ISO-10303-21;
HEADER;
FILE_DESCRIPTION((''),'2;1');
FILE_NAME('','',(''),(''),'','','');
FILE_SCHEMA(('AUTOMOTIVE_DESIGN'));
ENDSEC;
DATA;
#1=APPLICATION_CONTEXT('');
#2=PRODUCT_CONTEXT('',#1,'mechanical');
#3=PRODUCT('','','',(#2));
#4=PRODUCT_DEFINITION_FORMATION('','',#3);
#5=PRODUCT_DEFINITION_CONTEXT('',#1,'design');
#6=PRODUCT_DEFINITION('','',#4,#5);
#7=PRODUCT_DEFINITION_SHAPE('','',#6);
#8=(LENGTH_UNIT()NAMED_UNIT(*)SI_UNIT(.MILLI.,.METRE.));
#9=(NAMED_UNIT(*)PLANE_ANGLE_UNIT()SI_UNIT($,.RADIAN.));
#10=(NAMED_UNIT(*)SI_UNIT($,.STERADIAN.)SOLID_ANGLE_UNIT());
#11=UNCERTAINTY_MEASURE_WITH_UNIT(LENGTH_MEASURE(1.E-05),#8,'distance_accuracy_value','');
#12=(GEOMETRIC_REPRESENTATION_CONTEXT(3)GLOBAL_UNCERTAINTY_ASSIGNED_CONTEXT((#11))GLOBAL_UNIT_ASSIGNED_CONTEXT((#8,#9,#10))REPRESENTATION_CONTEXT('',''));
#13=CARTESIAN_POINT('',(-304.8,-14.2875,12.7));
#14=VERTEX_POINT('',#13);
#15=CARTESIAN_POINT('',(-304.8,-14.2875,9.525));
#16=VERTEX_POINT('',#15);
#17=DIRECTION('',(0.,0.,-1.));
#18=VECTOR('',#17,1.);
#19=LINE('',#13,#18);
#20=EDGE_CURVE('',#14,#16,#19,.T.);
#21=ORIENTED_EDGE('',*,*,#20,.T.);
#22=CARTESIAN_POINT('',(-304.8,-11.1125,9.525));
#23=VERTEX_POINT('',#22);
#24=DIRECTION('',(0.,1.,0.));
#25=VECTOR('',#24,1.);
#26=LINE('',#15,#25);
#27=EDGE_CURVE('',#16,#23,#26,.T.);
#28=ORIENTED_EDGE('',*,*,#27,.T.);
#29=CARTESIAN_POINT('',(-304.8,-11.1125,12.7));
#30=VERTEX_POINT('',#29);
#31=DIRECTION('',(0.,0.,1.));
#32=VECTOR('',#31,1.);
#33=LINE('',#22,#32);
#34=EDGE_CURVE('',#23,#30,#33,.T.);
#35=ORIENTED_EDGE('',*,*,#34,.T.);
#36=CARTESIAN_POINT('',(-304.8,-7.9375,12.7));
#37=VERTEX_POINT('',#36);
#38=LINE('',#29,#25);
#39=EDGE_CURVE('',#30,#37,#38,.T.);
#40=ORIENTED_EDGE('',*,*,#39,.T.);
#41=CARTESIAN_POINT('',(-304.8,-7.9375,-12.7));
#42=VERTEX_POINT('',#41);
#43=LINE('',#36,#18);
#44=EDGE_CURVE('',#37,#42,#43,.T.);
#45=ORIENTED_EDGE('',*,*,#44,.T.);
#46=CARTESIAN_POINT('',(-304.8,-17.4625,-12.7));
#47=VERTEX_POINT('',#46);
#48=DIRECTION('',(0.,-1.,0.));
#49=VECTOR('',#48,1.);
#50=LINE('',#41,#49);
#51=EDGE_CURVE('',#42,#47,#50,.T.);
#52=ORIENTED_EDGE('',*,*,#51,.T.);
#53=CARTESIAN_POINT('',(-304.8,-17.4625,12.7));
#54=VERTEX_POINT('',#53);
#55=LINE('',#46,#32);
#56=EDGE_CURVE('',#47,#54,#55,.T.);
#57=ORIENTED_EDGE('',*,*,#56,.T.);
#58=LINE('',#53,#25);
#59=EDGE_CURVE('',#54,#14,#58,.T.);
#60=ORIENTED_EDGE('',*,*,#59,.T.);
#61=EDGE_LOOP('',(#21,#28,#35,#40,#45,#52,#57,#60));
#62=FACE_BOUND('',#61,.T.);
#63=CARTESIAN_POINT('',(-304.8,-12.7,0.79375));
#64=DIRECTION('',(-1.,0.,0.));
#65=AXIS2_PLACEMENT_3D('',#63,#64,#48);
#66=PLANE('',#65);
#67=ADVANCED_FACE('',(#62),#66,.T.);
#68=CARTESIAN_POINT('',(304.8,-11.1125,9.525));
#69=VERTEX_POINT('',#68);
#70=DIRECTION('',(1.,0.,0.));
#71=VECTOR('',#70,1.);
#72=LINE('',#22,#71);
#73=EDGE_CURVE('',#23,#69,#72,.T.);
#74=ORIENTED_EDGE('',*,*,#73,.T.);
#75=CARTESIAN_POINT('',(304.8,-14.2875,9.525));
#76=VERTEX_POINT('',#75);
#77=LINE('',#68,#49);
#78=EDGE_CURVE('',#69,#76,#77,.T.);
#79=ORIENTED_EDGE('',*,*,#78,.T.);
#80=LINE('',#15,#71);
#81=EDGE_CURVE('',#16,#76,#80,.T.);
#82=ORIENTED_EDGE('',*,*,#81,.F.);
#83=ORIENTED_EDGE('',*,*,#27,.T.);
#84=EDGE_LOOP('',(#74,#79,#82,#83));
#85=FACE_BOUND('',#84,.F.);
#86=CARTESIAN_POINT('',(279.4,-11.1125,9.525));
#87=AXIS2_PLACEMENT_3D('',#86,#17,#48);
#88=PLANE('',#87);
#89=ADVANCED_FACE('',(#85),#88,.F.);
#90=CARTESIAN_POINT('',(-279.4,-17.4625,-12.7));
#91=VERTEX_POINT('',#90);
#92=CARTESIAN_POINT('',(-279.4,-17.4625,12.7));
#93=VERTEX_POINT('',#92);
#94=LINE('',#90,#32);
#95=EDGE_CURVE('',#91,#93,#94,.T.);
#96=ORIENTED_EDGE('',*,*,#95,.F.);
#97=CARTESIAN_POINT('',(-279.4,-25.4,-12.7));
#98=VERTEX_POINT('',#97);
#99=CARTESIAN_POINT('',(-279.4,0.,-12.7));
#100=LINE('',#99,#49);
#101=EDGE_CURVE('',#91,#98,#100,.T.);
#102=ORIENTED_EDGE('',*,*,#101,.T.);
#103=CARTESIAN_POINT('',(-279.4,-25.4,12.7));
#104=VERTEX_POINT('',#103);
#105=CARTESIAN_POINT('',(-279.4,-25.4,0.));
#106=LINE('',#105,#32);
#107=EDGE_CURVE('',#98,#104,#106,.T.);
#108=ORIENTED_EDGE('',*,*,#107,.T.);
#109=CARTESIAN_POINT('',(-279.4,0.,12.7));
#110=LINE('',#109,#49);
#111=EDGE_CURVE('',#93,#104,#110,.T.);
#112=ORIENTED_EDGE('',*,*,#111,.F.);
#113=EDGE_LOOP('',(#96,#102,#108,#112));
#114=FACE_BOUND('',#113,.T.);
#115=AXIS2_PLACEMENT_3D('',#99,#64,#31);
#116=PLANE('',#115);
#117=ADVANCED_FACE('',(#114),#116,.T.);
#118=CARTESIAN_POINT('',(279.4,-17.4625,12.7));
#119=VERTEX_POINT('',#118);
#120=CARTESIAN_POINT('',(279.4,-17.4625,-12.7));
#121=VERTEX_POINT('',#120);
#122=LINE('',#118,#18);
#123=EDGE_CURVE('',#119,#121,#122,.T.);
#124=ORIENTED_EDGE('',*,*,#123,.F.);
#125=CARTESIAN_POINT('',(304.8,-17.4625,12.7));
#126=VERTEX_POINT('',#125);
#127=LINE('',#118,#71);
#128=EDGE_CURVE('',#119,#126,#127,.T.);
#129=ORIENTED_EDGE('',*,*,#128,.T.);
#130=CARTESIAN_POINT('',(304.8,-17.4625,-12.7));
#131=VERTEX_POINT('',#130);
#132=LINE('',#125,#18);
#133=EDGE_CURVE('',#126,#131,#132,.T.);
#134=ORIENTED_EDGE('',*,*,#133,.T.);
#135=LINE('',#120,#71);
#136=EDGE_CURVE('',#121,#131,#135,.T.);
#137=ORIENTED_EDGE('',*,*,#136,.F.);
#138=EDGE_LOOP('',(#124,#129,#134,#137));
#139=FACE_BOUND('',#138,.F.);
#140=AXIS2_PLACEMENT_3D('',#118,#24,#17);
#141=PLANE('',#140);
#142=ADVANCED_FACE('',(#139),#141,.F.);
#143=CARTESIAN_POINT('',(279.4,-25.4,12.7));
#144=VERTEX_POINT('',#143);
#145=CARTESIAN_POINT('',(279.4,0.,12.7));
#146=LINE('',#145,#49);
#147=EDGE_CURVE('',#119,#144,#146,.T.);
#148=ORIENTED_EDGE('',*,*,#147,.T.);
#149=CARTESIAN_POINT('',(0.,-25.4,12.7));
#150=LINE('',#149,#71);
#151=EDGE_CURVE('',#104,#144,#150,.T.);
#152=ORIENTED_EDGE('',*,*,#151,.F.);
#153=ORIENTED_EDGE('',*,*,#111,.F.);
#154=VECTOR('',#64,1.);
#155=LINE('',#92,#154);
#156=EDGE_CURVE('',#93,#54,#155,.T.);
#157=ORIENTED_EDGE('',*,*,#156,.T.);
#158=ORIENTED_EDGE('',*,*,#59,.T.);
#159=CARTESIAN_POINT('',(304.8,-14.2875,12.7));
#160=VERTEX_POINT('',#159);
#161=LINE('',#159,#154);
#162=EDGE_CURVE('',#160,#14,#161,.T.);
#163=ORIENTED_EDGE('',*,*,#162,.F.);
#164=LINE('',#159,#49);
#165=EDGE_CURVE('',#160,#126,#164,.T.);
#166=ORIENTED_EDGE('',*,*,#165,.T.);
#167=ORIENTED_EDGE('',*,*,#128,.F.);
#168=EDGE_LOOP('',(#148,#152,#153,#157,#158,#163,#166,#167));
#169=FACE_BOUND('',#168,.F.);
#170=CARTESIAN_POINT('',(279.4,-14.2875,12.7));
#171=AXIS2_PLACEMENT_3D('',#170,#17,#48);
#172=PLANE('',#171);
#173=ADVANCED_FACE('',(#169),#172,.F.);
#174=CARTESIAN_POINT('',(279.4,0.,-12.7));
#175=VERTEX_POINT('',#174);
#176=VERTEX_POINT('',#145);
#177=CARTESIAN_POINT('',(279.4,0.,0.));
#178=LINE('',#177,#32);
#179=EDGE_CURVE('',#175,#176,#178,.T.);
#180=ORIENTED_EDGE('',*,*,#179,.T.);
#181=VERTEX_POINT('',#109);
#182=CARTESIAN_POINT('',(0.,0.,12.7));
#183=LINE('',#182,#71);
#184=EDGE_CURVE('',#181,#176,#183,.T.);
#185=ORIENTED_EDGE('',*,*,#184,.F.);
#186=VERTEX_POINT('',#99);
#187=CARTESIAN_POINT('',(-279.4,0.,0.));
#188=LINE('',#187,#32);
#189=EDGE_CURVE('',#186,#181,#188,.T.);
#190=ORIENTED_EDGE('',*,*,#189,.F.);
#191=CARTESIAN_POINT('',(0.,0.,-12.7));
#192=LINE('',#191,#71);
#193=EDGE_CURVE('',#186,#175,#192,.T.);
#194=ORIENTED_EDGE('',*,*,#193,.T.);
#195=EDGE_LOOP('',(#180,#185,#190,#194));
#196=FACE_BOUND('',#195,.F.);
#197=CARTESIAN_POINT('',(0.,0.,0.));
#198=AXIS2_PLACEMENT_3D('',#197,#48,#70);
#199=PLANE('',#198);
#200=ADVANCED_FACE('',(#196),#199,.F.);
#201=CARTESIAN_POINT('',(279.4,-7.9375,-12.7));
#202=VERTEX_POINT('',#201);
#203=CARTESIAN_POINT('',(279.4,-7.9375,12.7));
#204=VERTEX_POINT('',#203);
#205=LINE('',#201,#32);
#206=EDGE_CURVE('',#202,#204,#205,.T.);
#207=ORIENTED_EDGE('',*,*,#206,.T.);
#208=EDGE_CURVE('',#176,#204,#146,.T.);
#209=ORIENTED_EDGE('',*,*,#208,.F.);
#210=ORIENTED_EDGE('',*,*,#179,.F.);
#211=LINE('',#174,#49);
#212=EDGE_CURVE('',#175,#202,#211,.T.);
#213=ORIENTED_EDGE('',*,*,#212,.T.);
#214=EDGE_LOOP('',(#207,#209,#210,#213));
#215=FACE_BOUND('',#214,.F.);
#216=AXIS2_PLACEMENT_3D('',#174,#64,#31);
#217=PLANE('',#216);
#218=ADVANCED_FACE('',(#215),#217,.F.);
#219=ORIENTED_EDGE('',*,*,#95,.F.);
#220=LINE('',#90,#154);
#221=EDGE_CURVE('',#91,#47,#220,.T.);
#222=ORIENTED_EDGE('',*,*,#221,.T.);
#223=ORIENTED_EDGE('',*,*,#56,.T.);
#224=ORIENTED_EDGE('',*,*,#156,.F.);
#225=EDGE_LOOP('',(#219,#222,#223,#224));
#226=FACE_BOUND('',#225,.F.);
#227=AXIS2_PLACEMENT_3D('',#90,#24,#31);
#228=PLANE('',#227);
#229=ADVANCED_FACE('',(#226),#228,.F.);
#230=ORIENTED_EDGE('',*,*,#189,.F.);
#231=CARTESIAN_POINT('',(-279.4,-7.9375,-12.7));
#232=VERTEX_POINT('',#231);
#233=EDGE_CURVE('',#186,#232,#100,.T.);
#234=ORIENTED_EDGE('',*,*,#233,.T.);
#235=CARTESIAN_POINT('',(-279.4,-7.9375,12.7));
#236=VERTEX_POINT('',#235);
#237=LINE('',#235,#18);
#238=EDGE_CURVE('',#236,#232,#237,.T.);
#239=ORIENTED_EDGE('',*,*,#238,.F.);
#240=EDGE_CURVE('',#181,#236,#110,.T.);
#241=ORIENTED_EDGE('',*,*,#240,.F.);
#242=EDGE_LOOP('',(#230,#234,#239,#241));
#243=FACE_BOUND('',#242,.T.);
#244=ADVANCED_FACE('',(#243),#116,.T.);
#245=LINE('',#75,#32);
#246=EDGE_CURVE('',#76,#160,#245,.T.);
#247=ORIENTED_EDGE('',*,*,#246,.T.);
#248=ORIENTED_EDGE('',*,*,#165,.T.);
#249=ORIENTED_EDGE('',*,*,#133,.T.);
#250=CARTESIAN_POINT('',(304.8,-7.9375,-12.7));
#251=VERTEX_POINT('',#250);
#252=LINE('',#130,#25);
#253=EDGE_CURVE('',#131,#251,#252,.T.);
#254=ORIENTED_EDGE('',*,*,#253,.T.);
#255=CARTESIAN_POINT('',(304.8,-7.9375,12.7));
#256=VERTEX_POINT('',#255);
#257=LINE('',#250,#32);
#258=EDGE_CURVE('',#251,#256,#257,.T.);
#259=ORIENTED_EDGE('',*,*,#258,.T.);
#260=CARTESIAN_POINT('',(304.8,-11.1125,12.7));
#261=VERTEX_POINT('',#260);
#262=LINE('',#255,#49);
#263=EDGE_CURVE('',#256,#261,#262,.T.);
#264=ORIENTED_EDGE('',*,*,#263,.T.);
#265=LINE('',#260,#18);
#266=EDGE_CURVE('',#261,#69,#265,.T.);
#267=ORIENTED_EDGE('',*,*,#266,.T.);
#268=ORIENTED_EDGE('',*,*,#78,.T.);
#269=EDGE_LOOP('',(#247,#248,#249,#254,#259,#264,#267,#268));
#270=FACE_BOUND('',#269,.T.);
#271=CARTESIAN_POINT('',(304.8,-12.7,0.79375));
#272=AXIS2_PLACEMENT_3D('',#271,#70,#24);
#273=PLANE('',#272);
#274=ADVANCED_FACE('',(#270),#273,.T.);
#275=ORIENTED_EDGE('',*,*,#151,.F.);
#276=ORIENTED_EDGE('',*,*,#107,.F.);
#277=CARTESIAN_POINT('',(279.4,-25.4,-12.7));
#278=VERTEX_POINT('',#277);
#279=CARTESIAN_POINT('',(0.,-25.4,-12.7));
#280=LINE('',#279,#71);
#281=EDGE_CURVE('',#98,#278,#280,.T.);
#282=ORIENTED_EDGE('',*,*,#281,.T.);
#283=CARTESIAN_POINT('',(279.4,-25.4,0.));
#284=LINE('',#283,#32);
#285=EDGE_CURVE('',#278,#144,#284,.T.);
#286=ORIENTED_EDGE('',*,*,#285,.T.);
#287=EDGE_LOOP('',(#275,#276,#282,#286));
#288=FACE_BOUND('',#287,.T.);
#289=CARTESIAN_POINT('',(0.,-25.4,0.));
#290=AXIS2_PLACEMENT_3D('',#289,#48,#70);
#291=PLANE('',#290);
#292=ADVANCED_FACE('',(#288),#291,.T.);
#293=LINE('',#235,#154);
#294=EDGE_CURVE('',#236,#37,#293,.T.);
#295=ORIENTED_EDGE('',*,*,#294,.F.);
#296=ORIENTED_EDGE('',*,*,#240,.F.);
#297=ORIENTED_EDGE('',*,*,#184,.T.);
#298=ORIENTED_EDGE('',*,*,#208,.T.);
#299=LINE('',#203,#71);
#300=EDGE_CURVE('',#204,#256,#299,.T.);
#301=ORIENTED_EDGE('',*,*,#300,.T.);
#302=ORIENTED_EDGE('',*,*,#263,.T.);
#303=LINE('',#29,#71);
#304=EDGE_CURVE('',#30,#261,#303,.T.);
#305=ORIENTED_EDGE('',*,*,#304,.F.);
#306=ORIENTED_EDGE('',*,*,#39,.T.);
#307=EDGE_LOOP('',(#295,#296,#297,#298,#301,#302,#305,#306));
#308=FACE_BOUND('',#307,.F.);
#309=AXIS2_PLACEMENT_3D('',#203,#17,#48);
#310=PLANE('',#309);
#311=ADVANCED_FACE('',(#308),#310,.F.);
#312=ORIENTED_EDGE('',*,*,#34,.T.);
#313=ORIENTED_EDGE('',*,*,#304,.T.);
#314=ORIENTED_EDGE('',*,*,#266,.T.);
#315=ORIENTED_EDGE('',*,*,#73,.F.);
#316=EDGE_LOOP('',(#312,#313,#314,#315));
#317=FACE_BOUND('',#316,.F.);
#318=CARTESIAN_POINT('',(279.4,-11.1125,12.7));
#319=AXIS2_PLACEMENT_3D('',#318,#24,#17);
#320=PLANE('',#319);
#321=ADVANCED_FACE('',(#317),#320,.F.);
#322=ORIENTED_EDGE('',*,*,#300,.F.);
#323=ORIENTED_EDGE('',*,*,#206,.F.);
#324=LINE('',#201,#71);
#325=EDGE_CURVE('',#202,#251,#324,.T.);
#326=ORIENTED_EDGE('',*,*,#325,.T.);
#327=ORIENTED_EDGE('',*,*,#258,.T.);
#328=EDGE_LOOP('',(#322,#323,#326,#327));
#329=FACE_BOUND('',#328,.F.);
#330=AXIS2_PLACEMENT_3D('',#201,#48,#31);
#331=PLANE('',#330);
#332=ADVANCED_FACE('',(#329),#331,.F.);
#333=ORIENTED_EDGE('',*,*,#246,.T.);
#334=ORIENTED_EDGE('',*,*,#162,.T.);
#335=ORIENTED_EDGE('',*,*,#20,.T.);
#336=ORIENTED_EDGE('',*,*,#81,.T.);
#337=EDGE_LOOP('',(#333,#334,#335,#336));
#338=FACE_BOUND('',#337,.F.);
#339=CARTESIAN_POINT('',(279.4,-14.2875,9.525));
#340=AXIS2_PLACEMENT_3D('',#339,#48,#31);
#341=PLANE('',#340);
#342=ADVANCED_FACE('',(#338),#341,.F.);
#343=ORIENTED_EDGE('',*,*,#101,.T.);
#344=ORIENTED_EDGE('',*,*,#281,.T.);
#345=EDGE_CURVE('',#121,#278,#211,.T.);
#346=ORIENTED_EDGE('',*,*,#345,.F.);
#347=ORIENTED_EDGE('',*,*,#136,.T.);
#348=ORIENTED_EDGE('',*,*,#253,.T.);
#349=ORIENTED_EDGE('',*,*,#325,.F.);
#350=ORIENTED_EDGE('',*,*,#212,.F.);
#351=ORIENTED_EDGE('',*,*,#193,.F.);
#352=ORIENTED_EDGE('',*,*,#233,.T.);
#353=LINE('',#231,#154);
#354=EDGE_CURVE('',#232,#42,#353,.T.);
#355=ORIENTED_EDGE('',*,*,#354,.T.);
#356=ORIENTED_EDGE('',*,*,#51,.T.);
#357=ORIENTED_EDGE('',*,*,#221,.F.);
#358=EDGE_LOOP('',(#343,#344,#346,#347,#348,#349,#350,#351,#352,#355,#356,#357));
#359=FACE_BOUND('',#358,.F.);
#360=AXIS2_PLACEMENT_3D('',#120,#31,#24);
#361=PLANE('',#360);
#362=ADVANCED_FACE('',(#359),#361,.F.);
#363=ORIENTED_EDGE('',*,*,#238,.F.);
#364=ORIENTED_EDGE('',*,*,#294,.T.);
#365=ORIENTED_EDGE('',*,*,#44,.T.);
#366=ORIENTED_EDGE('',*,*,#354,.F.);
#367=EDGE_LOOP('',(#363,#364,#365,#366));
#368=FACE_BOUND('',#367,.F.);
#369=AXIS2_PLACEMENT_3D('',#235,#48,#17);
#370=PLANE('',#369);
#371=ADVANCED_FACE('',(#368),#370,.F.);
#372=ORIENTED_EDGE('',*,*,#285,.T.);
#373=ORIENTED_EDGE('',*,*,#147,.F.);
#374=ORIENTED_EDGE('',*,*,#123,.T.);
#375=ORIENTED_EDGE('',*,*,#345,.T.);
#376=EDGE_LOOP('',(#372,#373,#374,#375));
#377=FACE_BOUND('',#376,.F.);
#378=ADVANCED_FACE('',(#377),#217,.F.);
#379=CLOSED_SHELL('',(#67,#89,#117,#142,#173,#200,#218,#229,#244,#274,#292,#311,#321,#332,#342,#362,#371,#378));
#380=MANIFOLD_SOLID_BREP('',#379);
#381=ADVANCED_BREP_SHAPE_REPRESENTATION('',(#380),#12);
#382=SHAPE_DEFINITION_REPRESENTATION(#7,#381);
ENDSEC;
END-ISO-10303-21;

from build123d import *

# Parameters (mm, degrees)
F0_W     = 558.8
F0_H     = 25.4
F1_DEPTH = 25.4
F2_W     = 558.8
F2_H     = 3.175
F3_DEPTH = 3.175
F5_DEPTH = 25.4
F7_DEPTH = 25.4


with BuildPart() as f1:
    # F0 (on Front) → F1 (new body)
    with BuildSketch(Plane.XZ):
        Rectangle(F0_W, F0_H)
    extrude(amount=F1_DEPTH)

    # F2 (on face) → F3 (cut)
    with BuildSketch(Plane.XY.offset(12.7)):
        with Locations((0, -12.7)):
            Rectangle(F2_W, F2_H)
    extrude(amount=-F3_DEPTH, mode=Mode.SUBTRACT)

    # F4 (on face) → F5 (join)
    with BuildSketch(Plane(origin=(-279.4, 0, 0), x_dir=(0, -1, 0), z_dir=(-1, 0, 0))):
        Polygon((7.9375, -12.7), (17.4625, -12.7), (17.4625, 12.7), (14.2875, 12.7), (14.2875, 9.525), (11.1125, 9.525), (11.1125, 12.7), (7.9375, 12.7), align=None)
    extrude(amount=F5_DEPTH)

    # F6 (on face) → F7 (join)
    with BuildSketch(Plane.YZ.offset(279.4)):
        Polygon((-17.4625, -12.7), (-7.9375, -12.7), (-7.9375, 12.7), (-11.1125, 12.7), (-11.1125, 9.525), (-14.2875, 9.525), (-14.2875, 12.7), (-17.4625, 12.7), align=None)
    extrude(amount=F7_DEPTH)


solid = f1.part
